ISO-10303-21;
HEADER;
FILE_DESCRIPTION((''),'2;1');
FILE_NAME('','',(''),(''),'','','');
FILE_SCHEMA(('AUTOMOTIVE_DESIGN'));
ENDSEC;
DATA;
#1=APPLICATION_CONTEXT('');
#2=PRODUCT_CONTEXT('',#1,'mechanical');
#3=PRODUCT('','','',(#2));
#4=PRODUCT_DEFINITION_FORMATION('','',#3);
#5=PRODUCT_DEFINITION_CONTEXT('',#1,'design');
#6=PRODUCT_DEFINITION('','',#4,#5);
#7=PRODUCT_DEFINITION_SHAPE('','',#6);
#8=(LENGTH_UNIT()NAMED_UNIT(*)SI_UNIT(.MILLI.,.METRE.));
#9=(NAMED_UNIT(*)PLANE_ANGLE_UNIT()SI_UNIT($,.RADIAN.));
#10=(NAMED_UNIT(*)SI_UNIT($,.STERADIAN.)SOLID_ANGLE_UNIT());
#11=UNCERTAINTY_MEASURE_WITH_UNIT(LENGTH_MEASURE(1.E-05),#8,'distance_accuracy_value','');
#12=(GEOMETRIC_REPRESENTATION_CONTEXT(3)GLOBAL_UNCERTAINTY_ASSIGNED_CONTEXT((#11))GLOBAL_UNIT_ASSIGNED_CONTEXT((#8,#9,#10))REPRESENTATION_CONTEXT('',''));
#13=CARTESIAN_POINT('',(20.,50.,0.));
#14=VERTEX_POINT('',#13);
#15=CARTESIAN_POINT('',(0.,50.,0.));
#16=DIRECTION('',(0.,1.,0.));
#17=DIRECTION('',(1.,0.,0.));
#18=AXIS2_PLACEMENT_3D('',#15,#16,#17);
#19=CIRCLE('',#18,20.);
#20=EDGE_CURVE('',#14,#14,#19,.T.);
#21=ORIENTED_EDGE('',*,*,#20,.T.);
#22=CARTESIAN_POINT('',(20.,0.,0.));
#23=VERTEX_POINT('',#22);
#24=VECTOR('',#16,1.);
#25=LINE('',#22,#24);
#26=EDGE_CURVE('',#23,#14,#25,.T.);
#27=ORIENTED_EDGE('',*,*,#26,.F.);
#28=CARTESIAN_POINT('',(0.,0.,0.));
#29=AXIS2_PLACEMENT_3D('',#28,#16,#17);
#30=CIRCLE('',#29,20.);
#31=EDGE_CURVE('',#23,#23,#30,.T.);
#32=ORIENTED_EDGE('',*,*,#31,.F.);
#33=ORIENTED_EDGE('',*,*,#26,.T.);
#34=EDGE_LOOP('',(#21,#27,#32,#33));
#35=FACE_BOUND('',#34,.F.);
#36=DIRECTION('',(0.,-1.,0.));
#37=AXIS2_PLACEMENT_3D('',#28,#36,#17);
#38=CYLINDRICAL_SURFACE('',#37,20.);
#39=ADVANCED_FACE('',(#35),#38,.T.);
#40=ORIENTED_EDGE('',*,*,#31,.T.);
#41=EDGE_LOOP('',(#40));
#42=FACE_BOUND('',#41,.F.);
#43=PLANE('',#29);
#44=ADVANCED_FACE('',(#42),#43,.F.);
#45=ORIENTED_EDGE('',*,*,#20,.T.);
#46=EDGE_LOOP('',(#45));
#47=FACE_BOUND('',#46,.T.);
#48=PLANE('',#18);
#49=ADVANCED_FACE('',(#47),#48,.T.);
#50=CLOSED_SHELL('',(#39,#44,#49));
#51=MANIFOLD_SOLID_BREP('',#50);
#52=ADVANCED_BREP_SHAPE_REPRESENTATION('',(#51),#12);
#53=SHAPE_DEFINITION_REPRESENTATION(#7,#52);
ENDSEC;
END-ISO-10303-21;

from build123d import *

# Parameters (mm, degrees)
SKETCH1_R           = 20
BOSS_EXTRUDE1_DEPTH = 50


with BuildPart() as part:
    # Sketch1 → Boss-Extrude1 (new body)
    with BuildSketch(Plane(origin=(0, 0, 0), x_dir=(1, 0, 0), z_dir=(0, 1, 0))):
        Circle(SKETCH1_R)
    extrude(amount=BOSS_EXTRUDE1_DEPTH)


solid = part.part
